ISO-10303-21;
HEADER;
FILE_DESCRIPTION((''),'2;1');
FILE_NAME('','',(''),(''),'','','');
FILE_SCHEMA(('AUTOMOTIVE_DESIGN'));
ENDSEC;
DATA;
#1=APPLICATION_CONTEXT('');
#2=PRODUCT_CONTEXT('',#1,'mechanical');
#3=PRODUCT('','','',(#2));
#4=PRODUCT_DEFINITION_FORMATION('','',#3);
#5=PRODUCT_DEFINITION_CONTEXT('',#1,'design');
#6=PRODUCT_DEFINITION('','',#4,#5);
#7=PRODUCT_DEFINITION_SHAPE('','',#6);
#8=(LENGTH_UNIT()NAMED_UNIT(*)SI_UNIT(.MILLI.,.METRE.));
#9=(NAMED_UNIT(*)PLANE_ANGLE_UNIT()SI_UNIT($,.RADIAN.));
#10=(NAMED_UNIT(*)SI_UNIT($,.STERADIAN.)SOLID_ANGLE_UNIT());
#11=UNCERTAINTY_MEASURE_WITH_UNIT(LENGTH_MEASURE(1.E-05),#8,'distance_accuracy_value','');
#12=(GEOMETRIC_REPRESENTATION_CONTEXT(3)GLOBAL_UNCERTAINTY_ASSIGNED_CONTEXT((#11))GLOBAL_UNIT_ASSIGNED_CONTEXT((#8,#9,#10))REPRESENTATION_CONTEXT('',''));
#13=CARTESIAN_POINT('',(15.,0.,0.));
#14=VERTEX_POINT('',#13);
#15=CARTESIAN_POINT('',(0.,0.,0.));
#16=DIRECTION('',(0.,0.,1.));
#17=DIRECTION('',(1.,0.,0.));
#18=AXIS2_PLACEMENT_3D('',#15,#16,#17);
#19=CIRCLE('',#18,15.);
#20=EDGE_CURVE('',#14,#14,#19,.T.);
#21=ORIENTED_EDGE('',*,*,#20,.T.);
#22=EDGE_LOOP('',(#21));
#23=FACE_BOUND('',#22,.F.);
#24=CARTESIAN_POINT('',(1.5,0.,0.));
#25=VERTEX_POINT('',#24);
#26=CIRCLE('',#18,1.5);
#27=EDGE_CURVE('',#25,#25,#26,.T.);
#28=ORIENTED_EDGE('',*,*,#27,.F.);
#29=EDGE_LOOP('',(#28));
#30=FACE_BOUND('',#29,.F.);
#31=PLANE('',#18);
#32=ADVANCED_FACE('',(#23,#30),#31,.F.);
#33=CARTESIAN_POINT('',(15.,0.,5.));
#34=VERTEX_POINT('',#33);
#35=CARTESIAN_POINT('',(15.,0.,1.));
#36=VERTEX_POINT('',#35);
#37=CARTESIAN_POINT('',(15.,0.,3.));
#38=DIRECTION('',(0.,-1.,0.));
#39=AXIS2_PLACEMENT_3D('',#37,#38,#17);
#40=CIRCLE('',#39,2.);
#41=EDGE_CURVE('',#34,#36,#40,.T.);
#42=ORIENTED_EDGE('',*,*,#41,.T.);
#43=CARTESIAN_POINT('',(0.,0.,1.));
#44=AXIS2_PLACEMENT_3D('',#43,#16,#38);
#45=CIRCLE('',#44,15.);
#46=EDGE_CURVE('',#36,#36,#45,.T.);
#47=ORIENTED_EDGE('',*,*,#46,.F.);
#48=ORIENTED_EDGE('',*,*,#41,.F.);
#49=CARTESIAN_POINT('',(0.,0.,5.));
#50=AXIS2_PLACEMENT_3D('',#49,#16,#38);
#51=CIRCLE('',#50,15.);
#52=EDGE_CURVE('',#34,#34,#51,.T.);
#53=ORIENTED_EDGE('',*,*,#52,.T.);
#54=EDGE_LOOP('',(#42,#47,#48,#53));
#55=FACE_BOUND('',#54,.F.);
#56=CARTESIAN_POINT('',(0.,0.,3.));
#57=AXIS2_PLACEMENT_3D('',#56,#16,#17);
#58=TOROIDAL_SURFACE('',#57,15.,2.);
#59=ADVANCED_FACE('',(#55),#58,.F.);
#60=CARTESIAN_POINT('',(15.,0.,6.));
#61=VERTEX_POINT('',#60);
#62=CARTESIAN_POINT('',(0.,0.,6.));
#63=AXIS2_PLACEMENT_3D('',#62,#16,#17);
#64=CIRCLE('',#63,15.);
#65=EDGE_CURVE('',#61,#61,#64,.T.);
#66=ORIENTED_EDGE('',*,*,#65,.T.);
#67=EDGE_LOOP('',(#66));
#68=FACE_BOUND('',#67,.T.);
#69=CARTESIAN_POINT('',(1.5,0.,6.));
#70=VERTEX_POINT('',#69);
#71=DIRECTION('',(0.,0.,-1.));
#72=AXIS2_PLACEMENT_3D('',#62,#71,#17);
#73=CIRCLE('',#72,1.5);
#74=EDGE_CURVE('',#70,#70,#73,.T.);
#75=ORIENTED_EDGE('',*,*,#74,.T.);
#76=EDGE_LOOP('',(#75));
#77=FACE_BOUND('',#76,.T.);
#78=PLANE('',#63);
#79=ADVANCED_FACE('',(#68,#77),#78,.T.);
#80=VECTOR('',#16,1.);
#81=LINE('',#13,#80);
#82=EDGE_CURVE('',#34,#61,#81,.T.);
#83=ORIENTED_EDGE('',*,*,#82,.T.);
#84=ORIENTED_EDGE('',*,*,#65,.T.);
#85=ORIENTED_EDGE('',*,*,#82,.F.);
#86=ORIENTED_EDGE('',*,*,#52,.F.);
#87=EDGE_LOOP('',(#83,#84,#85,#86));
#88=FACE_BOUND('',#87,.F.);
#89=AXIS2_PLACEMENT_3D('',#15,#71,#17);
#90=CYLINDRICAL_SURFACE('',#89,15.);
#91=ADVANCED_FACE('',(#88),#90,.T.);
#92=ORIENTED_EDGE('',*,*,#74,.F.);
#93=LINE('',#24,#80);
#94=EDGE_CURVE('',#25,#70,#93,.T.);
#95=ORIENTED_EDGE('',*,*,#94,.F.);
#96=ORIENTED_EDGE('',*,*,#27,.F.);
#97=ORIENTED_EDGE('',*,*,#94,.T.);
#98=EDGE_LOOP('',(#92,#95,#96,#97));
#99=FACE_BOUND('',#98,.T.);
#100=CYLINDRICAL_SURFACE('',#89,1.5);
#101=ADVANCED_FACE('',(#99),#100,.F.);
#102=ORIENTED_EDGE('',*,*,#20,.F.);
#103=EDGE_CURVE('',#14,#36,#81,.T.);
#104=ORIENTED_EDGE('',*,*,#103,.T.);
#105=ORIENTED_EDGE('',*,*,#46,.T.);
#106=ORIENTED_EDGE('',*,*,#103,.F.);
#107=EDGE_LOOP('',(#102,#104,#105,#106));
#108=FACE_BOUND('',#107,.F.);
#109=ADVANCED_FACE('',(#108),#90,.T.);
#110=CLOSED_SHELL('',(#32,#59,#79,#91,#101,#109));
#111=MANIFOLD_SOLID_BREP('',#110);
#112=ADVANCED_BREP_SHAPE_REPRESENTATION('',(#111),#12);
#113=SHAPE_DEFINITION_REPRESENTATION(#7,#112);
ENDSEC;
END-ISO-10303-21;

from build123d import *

# Parameters (mm, degrees)
CYLINDER001_R     = 1.5
CYLINDER001_DEPTH = 10
TORUS_R           = 2
CYLINDER_R        = 15
CYLINDER_DEPTH    = 6


with BuildPart() as cilindro001:
    # Cylinder001 → Cylinder001 (new body)
    with BuildSketch(Plane.XY):
        Circle(CYLINDER001_R)
    extrude(amount=CYLINDER001_DEPTH)


with BuildPart() as toro:
    # Torus → Torus (revolve)
    with BuildSketch(Plane(origin=(0, 0, 3), x_dir=(1, 0, 0), z_dir=(0, -1, 0))):
        with Locations((15, 0)):
            Circle(TORUS_R)
    revolve(axis=Axis((0, 0, 3), (0, 0, 1)))


with BuildPart() as cut001:
    # Cylinder → Cylinder (new body)
    with BuildSketch(Plane.XY):
        Circle(CYLINDER_R)
    extrude(amount=CYLINDER_DEPTH)

    # Cut: cut Toro
    add(toro.part, mode=Mode.SUBTRACT)

    # Cut001: cut Cilindro001
    add(cilindro001.part, mode=Mode.SUBTRACT)


solid = cut001.part
